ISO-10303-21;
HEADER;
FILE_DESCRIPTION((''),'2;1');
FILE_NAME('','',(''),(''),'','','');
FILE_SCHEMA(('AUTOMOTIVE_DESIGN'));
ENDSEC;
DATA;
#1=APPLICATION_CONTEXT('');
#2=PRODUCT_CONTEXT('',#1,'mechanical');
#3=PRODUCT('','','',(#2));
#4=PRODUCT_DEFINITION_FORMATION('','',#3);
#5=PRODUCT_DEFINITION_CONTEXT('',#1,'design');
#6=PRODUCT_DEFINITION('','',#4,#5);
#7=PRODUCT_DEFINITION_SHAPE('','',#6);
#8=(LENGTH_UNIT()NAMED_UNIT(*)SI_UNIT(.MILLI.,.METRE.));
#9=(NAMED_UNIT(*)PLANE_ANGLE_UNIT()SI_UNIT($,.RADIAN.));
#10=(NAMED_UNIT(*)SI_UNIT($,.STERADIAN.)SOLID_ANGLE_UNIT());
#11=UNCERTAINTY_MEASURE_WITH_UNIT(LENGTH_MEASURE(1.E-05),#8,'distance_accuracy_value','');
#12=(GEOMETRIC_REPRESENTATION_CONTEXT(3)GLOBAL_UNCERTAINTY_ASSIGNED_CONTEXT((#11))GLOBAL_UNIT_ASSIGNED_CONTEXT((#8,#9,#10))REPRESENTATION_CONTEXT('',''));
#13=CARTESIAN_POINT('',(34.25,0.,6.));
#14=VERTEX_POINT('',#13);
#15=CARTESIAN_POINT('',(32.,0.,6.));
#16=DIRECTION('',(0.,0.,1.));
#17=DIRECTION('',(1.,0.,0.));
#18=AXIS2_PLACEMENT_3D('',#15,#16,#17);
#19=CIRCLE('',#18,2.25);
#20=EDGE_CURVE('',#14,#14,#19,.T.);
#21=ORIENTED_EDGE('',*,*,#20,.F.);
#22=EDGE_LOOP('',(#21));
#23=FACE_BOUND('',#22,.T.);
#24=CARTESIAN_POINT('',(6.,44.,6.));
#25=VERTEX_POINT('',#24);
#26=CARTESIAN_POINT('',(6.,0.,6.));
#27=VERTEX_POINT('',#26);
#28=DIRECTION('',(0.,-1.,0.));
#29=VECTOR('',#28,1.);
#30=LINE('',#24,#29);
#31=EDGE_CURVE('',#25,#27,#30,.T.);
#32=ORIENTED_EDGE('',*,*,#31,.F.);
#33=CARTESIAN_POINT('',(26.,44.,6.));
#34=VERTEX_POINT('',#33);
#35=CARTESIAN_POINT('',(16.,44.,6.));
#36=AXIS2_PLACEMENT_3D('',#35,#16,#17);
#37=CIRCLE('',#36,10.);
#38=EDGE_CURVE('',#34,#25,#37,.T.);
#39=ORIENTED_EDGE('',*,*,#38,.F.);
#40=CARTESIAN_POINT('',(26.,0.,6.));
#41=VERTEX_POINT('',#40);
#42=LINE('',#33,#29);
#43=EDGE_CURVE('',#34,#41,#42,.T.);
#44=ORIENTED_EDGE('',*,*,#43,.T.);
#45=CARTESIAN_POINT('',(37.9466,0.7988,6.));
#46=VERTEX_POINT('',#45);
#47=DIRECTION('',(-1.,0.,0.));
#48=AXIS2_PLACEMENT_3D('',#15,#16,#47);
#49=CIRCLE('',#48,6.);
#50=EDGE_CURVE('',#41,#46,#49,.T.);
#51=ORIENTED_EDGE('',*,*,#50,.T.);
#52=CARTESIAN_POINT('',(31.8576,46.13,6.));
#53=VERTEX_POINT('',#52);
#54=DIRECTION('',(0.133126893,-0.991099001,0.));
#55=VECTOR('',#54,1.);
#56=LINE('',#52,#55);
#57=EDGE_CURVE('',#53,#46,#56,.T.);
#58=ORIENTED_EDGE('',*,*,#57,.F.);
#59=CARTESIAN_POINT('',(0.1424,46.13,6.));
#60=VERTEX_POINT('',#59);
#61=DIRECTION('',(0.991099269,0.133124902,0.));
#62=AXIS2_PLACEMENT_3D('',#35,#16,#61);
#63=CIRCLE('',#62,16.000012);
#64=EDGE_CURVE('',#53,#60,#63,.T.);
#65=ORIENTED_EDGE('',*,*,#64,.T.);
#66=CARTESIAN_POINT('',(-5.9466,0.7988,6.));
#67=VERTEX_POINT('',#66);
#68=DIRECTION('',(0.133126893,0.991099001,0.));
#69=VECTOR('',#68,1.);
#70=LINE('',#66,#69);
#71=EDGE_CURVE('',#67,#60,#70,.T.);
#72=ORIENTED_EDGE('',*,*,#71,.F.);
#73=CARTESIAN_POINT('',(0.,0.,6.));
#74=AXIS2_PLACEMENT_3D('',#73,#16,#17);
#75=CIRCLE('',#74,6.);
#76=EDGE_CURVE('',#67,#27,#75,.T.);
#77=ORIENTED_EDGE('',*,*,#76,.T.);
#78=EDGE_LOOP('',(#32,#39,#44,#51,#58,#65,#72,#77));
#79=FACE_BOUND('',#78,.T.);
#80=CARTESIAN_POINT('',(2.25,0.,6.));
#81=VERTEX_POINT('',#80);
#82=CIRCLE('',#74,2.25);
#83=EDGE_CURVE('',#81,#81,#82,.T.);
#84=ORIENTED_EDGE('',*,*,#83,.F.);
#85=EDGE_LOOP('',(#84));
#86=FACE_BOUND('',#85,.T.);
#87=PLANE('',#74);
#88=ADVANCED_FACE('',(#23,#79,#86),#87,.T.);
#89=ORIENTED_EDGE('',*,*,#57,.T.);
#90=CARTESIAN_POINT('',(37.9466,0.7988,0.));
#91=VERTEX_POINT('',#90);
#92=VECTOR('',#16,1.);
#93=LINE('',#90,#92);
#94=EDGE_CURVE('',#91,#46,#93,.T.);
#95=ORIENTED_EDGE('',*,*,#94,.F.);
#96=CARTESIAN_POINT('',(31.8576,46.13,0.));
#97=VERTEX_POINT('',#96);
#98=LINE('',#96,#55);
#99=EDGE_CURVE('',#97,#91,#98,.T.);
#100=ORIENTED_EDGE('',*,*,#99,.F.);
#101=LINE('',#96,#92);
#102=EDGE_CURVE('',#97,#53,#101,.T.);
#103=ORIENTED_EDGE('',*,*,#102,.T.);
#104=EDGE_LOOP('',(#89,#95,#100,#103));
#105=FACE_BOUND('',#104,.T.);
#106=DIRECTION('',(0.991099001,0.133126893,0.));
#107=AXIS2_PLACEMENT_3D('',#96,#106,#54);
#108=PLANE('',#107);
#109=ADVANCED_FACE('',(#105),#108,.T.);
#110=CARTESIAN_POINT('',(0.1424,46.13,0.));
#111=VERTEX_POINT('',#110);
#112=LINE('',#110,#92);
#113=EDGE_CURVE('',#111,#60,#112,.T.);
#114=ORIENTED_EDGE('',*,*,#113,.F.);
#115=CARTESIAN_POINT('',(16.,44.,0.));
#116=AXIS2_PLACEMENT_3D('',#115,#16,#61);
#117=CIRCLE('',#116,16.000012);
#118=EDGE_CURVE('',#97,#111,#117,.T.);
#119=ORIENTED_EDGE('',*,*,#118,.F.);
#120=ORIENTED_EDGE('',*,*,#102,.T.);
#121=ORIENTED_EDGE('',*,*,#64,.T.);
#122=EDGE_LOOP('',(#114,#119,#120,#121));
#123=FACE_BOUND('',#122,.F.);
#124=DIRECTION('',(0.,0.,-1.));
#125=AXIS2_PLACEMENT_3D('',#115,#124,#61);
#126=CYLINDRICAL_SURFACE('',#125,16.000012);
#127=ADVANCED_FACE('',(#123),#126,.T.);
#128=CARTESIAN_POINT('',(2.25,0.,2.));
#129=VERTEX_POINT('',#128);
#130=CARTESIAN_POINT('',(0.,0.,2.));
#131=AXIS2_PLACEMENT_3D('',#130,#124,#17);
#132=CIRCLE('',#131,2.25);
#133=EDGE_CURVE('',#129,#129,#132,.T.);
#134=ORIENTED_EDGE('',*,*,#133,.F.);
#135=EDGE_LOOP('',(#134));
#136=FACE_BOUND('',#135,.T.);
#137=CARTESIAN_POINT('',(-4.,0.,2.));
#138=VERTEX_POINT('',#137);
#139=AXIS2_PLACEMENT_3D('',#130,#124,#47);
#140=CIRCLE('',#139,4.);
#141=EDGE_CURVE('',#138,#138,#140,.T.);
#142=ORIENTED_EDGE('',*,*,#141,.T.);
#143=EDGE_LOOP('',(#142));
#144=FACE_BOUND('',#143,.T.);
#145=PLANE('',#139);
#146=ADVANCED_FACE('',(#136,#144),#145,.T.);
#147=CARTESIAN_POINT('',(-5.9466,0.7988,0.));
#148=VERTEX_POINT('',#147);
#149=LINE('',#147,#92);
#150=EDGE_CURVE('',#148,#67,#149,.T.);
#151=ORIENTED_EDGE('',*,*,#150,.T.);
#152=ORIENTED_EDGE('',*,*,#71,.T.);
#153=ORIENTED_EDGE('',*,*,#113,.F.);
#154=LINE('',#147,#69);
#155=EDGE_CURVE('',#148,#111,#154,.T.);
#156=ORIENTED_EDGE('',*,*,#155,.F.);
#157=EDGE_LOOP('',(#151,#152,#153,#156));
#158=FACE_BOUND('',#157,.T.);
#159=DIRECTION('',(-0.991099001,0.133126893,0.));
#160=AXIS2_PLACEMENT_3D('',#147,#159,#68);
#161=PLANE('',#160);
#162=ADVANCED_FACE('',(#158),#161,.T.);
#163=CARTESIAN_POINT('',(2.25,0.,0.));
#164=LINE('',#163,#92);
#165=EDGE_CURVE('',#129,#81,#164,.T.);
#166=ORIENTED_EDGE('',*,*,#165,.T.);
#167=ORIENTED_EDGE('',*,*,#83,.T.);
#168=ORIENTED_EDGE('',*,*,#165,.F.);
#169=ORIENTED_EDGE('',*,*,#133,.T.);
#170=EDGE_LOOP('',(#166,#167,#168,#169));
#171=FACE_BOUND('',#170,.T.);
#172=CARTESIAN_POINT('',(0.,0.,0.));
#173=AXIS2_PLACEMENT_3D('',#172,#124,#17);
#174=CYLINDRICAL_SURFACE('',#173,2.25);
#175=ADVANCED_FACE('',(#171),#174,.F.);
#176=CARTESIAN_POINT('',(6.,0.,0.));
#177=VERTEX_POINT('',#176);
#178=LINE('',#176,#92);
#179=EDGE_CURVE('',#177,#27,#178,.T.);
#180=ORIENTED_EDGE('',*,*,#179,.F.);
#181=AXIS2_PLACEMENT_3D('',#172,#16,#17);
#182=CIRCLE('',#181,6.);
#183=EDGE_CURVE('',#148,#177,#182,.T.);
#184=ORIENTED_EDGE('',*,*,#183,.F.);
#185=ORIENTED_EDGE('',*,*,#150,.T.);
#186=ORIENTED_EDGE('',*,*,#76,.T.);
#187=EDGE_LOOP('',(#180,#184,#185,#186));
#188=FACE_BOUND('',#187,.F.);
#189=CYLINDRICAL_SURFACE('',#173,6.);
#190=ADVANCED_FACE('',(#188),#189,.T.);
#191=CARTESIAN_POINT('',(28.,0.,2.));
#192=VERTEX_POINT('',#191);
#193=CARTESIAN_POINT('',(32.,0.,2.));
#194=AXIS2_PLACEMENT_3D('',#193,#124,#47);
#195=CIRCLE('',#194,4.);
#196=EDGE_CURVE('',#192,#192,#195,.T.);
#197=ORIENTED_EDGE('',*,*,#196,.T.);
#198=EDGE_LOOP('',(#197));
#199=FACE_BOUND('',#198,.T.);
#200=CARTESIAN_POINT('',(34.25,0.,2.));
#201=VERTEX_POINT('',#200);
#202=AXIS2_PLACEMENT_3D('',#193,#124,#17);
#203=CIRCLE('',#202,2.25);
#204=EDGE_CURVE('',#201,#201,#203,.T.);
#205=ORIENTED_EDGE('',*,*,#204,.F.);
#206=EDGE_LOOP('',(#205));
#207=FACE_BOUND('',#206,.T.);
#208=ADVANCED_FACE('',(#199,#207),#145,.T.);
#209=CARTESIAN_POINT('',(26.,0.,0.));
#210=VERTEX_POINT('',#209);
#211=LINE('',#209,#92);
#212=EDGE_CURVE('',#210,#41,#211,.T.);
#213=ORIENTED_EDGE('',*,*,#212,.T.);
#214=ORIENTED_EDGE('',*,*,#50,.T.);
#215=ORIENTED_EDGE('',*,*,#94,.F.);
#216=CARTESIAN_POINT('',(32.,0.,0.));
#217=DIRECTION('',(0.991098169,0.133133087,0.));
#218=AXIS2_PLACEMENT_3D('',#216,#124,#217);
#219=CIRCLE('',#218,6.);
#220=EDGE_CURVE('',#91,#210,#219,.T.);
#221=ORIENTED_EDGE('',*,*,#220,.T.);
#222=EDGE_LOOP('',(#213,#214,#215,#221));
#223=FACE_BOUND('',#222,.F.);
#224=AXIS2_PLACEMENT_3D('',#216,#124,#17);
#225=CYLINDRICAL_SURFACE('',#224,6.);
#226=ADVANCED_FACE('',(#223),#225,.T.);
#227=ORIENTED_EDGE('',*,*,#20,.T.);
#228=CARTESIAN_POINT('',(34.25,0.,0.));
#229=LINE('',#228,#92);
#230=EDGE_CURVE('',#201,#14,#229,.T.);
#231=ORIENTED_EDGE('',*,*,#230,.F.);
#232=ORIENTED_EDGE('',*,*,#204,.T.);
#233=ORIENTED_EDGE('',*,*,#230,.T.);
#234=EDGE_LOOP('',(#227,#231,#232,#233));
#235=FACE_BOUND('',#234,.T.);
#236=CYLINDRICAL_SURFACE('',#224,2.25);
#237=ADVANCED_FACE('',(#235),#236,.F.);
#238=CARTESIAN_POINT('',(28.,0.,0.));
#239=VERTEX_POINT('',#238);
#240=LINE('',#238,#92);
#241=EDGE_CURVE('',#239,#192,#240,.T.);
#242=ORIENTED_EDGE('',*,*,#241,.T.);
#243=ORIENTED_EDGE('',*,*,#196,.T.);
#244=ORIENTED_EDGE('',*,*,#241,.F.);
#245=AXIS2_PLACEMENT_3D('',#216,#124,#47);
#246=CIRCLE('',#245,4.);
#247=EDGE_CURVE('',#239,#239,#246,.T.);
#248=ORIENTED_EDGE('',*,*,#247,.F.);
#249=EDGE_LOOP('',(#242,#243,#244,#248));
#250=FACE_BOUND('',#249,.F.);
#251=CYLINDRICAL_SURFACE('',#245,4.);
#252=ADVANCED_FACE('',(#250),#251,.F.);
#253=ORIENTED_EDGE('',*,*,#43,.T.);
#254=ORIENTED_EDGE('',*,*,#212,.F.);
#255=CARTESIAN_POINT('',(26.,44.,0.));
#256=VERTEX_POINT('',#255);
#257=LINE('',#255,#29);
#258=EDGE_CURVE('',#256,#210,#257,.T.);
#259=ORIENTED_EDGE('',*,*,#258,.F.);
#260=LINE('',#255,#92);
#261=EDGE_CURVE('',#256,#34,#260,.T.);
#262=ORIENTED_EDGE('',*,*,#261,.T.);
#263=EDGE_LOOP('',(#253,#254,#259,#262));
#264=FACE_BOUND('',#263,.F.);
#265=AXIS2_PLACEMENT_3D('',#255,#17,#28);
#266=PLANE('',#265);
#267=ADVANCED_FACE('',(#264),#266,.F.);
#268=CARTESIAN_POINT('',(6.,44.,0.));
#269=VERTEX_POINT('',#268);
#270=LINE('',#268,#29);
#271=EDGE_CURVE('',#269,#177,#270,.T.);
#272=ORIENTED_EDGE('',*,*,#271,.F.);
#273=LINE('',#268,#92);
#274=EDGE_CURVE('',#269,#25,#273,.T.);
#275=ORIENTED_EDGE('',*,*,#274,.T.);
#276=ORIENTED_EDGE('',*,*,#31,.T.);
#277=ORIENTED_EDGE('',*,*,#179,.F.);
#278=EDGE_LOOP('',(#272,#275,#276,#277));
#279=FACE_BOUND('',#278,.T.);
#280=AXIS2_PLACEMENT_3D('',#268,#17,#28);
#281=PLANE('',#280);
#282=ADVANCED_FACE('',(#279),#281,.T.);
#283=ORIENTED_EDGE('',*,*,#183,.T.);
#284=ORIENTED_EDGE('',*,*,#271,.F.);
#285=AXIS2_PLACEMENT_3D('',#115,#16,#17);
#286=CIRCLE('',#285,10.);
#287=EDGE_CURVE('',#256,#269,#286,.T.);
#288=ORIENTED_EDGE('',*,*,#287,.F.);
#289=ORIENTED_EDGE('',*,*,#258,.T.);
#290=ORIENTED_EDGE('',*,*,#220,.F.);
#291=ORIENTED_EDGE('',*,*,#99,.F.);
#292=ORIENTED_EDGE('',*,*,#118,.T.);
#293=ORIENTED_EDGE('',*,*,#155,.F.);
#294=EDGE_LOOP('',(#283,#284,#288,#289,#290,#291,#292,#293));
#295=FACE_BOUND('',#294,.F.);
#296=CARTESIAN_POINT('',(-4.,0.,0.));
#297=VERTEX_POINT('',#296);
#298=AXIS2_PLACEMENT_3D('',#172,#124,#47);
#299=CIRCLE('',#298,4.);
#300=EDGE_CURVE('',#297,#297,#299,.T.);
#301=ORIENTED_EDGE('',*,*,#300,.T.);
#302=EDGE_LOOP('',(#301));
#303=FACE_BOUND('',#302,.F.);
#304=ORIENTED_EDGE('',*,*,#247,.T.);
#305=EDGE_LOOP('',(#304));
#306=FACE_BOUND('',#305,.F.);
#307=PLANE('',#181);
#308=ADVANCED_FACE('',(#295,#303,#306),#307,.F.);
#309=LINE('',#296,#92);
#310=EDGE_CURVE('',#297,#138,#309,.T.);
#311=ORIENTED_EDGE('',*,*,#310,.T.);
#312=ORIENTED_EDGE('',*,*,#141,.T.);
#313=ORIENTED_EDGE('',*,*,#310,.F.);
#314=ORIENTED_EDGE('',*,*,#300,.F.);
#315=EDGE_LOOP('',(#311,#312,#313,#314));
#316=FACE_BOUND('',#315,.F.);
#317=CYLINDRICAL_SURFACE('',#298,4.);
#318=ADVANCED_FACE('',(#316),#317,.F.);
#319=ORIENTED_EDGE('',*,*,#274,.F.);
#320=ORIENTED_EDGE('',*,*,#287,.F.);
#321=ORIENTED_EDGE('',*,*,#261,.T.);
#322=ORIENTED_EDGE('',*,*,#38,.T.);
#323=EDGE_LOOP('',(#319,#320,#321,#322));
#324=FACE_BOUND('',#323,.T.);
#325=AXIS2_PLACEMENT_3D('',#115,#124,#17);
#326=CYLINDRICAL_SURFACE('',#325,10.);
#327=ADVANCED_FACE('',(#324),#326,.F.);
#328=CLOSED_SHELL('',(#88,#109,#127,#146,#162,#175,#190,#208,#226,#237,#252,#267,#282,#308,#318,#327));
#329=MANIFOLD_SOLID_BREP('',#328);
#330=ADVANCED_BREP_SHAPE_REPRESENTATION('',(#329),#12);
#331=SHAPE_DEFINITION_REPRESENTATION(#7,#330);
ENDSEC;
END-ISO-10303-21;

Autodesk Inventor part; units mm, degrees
sketch "スケッチ1" plane through (0, 0, 0) normal (0, 0, 1) x (1, 0, 0)
  line L0 (0, 0) -> (32, 0) construction
  line L1 (0, 60) -> (36, 60) construction
  circle A0 centre (0, 0) radius 2.25
  circle A1 centre (32, 0) radius 2.25
  circle A2 centre (16, 44) radius 10
  circle A3 centre (0, 0) radius 6
  circle A4 centre (32, 0) radius 6
  line L2 (6, 44) -> (6, 0)
  line L3 (26, 44) -> (26, 0)
  line L4 (-5.9466, 0.7988) -> (0.1424, 46.13)
  arc A5 (31.8576, 46.13) -> (0.1424, 46.13) centre (16, 44) ccw
  line L5 (31.8576, 46.13) -> (37.9466, 0.7988)
  point P0 (16, 0)
  dimension "d4" = 4.5
  dimension "d11" = 32
  dimension "d12" = 12
  dimension "d14" = 60
  dimension "d15" = 20
  dimension "d16" = 6
extrude "押し出し1" add sketch "スケッチ1" along normal blind 6 contours A2 L2 A3 L4 A5 L5 A4 L3 | A4 | A3
sketch "スケッチ4" plane through (0, 0, 0) normal (0, 0, -1) x (-1, 0, 0)
  circle A0 centre (-32, 0) radius 2.25 construction
  circle A1 centre (0, 0) radius 2.25 construction
  circle A2 centre (-32, 0) radius 4
  circle A3 centre (0, 0) radius 4
  dimension "d17" = 8
extrude "押し出し3" cut sketch "スケッチ4" against normal blind 2
properties part number "gpu_cable_holder"
